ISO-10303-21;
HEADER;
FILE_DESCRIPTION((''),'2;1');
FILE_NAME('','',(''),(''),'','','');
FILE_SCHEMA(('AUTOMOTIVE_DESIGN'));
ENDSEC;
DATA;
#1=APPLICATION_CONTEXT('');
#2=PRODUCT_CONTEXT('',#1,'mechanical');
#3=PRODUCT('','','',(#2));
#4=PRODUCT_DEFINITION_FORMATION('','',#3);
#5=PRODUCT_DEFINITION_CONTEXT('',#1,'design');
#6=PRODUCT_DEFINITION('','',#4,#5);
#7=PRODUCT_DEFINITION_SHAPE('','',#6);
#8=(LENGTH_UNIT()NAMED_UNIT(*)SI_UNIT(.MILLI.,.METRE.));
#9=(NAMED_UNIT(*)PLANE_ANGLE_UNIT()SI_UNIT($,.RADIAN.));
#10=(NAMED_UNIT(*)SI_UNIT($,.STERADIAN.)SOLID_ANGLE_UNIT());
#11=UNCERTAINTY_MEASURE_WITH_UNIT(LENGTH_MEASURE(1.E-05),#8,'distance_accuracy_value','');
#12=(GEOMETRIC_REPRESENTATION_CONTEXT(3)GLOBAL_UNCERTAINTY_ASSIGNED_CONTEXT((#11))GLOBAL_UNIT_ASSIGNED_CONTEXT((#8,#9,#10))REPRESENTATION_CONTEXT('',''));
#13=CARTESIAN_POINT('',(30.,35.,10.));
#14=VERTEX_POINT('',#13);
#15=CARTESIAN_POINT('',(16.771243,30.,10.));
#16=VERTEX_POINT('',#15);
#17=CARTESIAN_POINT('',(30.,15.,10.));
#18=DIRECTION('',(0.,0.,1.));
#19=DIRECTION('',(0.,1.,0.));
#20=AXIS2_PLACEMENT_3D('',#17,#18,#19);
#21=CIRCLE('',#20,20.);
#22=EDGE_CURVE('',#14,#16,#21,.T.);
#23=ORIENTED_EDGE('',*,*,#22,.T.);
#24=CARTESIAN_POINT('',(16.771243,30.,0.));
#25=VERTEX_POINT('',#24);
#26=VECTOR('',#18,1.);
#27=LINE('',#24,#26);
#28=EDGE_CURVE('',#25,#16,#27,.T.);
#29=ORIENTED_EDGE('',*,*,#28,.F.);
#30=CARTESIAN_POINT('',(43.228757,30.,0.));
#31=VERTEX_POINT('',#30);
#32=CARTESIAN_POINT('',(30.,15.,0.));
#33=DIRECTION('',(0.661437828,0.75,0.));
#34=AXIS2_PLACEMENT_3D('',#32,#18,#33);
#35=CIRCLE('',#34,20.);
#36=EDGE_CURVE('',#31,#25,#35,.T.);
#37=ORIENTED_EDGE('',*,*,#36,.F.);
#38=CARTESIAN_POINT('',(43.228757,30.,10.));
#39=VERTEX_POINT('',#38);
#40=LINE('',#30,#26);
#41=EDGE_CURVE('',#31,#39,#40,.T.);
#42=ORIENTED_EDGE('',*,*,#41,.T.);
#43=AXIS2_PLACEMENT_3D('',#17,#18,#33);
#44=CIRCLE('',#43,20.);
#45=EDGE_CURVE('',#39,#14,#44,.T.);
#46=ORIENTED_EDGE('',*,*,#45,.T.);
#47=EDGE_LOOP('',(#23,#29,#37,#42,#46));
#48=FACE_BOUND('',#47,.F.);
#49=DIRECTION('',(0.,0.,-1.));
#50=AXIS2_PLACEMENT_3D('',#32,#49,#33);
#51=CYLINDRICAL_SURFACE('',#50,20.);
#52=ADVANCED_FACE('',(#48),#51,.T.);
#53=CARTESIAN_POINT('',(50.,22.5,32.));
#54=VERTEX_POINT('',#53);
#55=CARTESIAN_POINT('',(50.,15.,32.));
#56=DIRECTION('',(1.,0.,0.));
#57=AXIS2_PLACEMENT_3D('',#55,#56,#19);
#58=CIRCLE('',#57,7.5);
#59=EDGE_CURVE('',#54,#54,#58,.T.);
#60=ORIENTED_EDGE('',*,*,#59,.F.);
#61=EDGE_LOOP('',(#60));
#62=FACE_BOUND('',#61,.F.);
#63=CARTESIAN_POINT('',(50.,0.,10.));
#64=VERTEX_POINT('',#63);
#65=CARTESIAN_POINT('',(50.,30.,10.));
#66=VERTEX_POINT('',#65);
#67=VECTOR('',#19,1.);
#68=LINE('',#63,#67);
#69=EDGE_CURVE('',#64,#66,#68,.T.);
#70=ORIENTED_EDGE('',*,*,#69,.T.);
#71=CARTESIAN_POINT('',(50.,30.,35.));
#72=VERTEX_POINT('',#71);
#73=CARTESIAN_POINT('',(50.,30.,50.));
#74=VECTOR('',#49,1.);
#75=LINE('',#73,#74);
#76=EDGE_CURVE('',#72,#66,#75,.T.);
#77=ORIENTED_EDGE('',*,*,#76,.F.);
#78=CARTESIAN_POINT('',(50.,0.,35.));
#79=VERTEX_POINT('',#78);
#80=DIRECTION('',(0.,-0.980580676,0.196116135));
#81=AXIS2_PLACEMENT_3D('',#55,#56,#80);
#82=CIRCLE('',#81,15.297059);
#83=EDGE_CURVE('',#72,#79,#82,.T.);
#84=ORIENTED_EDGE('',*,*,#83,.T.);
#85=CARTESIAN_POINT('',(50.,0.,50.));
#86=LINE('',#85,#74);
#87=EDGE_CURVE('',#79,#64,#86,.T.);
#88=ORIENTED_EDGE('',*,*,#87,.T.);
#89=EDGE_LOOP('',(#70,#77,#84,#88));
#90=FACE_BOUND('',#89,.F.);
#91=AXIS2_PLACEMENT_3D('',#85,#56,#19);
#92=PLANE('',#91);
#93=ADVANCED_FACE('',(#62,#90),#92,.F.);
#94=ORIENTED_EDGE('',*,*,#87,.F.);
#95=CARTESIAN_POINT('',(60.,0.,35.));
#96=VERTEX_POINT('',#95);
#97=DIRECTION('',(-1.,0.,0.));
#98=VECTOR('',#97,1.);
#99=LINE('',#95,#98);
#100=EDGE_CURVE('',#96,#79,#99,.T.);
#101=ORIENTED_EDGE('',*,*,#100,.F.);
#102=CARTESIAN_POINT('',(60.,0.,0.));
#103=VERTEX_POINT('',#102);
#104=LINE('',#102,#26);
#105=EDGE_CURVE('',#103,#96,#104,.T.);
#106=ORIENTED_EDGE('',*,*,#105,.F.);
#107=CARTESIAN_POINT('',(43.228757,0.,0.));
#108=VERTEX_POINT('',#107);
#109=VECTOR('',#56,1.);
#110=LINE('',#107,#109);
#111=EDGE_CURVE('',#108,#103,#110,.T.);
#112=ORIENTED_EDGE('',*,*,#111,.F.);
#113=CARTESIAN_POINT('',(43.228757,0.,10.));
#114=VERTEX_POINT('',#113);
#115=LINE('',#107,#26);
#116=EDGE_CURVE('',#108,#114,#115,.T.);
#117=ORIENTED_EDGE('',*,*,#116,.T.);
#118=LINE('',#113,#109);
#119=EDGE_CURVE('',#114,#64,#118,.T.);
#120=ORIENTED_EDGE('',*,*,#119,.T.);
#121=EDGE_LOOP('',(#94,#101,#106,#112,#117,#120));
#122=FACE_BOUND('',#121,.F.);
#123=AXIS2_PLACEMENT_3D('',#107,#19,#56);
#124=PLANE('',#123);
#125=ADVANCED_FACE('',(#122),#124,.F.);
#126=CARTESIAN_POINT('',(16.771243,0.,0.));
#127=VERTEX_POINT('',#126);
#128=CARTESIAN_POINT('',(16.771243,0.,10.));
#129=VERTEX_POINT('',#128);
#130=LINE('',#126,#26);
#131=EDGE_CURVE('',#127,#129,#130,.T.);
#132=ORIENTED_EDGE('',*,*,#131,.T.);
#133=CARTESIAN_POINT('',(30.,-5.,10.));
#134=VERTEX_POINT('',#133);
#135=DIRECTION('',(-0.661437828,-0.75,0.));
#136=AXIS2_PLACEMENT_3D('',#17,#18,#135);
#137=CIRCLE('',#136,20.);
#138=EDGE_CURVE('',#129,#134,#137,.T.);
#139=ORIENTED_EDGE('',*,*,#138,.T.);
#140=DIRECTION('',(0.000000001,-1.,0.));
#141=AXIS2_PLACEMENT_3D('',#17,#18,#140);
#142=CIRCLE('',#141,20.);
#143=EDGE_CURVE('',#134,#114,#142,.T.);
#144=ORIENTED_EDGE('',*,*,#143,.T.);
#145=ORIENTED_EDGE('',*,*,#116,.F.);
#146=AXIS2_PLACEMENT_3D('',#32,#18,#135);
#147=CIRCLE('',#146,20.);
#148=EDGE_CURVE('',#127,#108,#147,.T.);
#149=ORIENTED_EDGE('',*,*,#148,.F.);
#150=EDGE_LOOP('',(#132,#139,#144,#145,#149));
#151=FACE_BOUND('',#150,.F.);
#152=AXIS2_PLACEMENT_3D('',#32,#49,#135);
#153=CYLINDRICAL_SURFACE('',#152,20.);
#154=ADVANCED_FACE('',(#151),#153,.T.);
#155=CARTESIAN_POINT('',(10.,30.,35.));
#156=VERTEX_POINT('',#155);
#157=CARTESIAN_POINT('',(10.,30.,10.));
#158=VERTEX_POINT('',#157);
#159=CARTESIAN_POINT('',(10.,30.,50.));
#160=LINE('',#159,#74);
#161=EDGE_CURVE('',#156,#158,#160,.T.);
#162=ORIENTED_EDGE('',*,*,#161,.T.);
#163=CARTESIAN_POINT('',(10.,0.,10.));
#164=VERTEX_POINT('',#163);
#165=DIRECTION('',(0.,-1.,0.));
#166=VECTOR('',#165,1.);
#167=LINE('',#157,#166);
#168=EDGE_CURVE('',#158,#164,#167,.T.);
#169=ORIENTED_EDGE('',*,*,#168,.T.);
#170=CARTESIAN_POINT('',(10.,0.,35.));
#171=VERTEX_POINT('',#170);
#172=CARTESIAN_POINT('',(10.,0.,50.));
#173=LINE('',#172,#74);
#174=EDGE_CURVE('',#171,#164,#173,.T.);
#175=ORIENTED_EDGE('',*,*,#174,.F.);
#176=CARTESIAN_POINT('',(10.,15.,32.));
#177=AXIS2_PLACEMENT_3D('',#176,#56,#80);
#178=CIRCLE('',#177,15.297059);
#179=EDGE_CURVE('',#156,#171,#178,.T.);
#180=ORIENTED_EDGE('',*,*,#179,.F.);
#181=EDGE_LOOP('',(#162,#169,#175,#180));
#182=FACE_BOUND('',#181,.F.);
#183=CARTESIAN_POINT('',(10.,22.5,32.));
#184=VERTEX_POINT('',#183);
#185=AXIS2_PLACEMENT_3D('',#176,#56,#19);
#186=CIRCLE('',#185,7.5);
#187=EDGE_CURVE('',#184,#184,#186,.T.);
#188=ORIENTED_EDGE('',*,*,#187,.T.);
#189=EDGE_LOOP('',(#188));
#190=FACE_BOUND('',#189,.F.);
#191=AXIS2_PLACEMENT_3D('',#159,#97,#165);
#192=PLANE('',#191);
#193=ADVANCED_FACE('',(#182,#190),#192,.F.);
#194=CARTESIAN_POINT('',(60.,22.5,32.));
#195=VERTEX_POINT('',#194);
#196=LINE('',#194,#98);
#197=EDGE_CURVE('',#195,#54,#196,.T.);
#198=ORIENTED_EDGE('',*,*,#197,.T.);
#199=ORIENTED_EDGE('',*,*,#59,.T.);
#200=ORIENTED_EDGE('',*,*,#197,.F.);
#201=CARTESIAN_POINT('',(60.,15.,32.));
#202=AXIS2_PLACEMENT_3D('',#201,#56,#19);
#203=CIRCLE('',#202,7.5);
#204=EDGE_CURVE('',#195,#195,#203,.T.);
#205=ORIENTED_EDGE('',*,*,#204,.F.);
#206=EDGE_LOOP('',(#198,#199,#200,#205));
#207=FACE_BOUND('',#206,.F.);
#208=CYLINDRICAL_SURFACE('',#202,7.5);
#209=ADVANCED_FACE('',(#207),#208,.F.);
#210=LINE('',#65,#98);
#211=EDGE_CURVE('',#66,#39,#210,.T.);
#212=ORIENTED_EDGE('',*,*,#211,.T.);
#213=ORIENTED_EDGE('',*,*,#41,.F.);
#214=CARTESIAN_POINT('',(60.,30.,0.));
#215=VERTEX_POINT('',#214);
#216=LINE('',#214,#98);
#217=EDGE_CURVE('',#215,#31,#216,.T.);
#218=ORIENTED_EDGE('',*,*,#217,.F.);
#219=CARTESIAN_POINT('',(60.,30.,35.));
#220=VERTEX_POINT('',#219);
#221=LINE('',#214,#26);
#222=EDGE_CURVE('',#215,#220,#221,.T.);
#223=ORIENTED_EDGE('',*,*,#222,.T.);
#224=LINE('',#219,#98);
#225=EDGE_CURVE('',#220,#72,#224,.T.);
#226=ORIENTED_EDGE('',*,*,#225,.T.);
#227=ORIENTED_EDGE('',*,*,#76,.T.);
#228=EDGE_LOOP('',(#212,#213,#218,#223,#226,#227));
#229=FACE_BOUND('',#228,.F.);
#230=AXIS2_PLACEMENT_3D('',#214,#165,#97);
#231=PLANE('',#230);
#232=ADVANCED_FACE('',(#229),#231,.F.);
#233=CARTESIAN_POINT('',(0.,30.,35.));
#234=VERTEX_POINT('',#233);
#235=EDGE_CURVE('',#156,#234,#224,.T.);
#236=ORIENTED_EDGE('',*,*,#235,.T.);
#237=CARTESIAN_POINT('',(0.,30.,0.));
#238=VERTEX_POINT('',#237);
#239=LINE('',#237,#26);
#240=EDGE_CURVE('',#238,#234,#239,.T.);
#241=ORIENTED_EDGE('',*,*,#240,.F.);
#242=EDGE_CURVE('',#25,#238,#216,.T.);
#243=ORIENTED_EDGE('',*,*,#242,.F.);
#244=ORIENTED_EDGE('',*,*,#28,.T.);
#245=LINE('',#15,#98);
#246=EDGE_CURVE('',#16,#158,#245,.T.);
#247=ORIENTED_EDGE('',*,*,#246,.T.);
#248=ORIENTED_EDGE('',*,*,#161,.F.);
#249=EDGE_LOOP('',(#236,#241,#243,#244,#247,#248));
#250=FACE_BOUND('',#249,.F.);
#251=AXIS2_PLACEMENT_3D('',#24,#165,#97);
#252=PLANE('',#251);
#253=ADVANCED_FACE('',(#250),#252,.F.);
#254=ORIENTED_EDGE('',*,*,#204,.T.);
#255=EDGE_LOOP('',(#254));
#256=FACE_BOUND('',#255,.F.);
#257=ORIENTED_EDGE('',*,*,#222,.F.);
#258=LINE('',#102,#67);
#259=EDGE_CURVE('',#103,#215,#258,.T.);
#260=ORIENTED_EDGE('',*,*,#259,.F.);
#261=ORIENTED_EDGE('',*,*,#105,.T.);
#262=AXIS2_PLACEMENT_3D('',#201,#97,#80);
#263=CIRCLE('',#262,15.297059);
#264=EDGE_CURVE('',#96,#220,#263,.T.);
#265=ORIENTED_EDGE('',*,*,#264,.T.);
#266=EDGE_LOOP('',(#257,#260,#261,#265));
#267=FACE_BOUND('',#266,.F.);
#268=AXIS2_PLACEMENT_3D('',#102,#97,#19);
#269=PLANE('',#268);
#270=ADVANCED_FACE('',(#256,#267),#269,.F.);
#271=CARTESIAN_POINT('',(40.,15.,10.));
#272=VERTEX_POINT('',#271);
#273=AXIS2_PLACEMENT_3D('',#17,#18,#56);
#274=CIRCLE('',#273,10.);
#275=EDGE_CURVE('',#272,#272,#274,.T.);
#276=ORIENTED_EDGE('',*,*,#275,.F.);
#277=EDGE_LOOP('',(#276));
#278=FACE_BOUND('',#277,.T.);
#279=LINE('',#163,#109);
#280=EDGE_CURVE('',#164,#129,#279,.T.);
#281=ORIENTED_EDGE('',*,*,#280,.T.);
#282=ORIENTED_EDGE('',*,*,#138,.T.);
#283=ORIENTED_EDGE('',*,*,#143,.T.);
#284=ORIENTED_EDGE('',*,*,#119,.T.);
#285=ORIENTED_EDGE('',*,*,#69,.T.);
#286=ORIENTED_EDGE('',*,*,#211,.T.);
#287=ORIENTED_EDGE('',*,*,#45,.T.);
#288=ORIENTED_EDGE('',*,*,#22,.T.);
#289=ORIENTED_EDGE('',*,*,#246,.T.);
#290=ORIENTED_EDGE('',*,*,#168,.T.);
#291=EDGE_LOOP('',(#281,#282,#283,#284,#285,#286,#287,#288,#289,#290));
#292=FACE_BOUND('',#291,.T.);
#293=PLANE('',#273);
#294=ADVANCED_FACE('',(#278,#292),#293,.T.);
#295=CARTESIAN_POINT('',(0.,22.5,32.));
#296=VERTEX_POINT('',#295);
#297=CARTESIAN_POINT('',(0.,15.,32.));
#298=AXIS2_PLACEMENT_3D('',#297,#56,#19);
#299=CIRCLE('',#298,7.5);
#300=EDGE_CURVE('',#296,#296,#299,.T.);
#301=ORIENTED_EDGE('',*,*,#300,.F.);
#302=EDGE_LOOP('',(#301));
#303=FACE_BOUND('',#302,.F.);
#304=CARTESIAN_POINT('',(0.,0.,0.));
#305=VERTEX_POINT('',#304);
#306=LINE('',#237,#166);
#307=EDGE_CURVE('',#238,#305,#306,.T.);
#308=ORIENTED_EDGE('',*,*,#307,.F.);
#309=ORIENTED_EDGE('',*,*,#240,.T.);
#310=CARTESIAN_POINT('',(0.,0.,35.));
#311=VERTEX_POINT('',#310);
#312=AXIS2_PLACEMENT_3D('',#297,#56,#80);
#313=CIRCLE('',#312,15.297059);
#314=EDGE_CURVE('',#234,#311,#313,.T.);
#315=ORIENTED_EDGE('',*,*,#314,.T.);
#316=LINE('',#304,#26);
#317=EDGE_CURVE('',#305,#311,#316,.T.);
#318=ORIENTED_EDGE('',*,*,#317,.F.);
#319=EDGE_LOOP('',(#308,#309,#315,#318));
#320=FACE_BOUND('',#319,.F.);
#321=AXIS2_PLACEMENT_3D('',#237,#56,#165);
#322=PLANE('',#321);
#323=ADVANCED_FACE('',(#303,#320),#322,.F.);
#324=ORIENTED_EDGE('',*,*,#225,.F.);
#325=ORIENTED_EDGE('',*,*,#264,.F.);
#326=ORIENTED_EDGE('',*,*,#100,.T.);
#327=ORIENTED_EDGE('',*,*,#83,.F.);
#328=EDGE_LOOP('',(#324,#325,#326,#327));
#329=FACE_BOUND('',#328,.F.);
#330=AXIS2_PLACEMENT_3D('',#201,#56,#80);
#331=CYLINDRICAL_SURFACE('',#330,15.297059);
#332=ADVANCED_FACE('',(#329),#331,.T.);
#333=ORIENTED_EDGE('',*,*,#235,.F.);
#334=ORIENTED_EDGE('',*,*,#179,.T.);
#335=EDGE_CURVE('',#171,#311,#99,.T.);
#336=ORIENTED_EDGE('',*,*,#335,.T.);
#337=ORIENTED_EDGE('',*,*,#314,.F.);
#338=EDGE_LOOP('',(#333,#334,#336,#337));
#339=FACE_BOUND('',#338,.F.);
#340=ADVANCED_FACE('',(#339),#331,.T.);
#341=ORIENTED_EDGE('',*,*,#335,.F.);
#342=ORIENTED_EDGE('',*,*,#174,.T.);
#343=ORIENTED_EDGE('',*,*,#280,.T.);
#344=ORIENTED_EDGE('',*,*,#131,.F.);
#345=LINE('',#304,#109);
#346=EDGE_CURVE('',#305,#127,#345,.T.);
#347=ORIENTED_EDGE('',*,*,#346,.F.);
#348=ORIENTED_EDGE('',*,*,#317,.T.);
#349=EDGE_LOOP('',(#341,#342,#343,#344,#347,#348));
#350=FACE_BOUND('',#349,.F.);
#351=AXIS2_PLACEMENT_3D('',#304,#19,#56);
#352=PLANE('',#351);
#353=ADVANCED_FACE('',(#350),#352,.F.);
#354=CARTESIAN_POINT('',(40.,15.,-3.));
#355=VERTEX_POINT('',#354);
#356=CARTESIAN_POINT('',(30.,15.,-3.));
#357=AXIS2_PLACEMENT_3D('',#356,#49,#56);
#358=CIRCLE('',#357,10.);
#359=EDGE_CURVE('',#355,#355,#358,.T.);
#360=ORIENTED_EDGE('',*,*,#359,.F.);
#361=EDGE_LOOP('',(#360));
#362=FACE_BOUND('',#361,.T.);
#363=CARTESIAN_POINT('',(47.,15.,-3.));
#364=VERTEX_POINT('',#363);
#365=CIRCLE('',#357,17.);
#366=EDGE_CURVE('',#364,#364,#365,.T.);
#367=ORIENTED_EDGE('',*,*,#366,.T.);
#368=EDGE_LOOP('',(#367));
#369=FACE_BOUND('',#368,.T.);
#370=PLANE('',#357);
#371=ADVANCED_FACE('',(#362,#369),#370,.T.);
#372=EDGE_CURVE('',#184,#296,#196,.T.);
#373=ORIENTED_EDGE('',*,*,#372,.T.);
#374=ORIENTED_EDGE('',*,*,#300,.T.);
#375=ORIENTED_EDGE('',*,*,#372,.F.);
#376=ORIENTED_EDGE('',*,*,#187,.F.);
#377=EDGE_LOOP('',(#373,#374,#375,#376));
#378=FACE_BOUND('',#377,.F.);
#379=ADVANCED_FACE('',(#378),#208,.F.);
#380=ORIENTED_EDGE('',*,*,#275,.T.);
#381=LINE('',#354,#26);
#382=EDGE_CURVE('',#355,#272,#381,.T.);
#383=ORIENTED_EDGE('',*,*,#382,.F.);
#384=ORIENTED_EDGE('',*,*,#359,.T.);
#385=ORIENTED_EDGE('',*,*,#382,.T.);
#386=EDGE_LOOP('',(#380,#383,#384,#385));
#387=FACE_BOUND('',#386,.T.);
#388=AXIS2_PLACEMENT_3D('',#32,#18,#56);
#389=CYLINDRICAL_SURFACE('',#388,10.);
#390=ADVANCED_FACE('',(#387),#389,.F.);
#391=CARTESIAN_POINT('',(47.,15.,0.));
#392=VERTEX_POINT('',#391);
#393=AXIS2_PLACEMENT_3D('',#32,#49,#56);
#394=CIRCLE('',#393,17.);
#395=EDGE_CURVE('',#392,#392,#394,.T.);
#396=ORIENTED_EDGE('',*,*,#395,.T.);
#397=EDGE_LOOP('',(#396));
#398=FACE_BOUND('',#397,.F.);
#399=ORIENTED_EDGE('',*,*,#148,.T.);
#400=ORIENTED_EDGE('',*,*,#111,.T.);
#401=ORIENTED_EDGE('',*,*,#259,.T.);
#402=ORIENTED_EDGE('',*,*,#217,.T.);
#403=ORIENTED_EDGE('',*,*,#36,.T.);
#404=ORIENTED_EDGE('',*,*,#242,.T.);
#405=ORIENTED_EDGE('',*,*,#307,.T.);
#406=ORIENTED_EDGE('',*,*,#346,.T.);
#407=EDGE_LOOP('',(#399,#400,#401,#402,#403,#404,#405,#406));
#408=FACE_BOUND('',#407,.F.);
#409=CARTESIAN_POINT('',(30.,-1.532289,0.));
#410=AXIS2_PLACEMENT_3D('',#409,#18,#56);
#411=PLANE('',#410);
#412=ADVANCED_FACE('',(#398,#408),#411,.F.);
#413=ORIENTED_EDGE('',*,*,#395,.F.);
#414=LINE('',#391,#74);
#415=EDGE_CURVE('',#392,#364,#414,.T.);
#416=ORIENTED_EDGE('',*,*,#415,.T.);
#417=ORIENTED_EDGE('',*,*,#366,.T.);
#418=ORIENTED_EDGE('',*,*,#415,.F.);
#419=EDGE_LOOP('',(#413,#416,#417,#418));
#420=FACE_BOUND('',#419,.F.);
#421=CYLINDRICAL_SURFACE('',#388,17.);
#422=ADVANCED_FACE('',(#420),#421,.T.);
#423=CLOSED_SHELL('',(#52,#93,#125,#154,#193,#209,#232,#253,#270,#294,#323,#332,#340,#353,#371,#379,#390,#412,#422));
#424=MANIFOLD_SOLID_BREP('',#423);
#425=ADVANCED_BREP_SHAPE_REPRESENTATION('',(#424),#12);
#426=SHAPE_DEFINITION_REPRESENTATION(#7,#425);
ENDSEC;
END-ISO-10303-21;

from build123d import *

# Parameters (mm, degrees)
F0_R     = 10
F1_DEPTH = 50
F2_R     = 10
F3_DEPTH = 40
F4_R     = 7.5
F5_DEPTH = 60.001
F6_R     = 17
F6_R_2   = 10
F7_DEPTH = 3


with BuildPart() as f1:
    # F0 (on Top) → F1 (new body)
    with BuildSketch(Plane.XY):
        with BuildLine():
            Line((43.2287565553, 0), (16.7712434447, 0))
            ThreePointArc((16.7712434447, 0), (30, -5), (43.2287565553, 0))
        make_face()
        Polygon((0, 30), (0, 0), (16.7712434447, 0), (43.2287565553, 0), (60, 0), (60, 30), (43.2287565553, 30), (16.7712434447, 30), align=None)
        with Locations((30, 15)):
            Circle(F0_R, mode=Mode.SUBTRACT)
        with BuildLine():
            ThreePointArc((43.2287565553, 30), (30, 35), (16.7712434447, 30))
            Line((16.7712434447, 30), (43.2287565553, 30))
        make_face()
    extrude(amount=F1_DEPTH)

    # F2 (on face) → F3 (cut)
    with BuildSketch(Plane.XY.offset(50)):
        with BuildLine():
            ThreePointArc((43.2287565553, 30), (37.0710678119, 33.7082869339), (30, 35))
            ThreePointArc((30, 35), (22.9289321881, 33.7082869339), (16.7712434447, 30))
            Line((16.7712434447, 30), (10, 30))
            Line((10, 30), (10, 0))
            Line((10, 0), (16.7712434447, 0))
            ThreePointArc((16.7712434447, 0), (22.9289321949, -3.7082869364), (30.0000000144, -5))
            ThreePointArc((30.0000000144, -5), (37.0710678186, -3.7082869313), (43.2287565553, 0))
            Line((43.2287565553, 0), (50, 0))
            Line((50, 0), (50, 30))
            Line((50, 30), (43.2287565553, 30))
        make_face()
        with Locations((30, 15)):
            Circle(F2_R, mode=Mode.SUBTRACT)
    extrude(amount=-F3_DEPTH, mode=Mode.SUBTRACT)

    # F4 (on face) → F5 (cut, through all)
    with BuildSketch(Plane.YZ.offset(60)):
        with BuildLine():
            Line((30, 50), (0, 50))
            Line((0, 50), (0, 35))
            ThreePointArc((0, 35), (15, 47.2970585408), (30, 35))
            Line((30, 35), (30, 50))
        make_face()
        with Locations((15, 32)):
            Circle(F4_R)
    extrude(amount=-F5_DEPTH, mode=Mode.SUBTRACT)

    # F6 (on face) → F7 (join)
    with BuildSketch(Plane(origin=(0, 0, 0), x_dir=(1, 0, 0), z_dir=(0, 0, -1))):
        with Locations((30, -15)):
            Circle(F6_R)
        with Locations((30, -15)):
            Circle(F6_R_2, mode=Mode.SUBTRACT)
    extrude(amount=F7_DEPTH)


solid = f1.part
